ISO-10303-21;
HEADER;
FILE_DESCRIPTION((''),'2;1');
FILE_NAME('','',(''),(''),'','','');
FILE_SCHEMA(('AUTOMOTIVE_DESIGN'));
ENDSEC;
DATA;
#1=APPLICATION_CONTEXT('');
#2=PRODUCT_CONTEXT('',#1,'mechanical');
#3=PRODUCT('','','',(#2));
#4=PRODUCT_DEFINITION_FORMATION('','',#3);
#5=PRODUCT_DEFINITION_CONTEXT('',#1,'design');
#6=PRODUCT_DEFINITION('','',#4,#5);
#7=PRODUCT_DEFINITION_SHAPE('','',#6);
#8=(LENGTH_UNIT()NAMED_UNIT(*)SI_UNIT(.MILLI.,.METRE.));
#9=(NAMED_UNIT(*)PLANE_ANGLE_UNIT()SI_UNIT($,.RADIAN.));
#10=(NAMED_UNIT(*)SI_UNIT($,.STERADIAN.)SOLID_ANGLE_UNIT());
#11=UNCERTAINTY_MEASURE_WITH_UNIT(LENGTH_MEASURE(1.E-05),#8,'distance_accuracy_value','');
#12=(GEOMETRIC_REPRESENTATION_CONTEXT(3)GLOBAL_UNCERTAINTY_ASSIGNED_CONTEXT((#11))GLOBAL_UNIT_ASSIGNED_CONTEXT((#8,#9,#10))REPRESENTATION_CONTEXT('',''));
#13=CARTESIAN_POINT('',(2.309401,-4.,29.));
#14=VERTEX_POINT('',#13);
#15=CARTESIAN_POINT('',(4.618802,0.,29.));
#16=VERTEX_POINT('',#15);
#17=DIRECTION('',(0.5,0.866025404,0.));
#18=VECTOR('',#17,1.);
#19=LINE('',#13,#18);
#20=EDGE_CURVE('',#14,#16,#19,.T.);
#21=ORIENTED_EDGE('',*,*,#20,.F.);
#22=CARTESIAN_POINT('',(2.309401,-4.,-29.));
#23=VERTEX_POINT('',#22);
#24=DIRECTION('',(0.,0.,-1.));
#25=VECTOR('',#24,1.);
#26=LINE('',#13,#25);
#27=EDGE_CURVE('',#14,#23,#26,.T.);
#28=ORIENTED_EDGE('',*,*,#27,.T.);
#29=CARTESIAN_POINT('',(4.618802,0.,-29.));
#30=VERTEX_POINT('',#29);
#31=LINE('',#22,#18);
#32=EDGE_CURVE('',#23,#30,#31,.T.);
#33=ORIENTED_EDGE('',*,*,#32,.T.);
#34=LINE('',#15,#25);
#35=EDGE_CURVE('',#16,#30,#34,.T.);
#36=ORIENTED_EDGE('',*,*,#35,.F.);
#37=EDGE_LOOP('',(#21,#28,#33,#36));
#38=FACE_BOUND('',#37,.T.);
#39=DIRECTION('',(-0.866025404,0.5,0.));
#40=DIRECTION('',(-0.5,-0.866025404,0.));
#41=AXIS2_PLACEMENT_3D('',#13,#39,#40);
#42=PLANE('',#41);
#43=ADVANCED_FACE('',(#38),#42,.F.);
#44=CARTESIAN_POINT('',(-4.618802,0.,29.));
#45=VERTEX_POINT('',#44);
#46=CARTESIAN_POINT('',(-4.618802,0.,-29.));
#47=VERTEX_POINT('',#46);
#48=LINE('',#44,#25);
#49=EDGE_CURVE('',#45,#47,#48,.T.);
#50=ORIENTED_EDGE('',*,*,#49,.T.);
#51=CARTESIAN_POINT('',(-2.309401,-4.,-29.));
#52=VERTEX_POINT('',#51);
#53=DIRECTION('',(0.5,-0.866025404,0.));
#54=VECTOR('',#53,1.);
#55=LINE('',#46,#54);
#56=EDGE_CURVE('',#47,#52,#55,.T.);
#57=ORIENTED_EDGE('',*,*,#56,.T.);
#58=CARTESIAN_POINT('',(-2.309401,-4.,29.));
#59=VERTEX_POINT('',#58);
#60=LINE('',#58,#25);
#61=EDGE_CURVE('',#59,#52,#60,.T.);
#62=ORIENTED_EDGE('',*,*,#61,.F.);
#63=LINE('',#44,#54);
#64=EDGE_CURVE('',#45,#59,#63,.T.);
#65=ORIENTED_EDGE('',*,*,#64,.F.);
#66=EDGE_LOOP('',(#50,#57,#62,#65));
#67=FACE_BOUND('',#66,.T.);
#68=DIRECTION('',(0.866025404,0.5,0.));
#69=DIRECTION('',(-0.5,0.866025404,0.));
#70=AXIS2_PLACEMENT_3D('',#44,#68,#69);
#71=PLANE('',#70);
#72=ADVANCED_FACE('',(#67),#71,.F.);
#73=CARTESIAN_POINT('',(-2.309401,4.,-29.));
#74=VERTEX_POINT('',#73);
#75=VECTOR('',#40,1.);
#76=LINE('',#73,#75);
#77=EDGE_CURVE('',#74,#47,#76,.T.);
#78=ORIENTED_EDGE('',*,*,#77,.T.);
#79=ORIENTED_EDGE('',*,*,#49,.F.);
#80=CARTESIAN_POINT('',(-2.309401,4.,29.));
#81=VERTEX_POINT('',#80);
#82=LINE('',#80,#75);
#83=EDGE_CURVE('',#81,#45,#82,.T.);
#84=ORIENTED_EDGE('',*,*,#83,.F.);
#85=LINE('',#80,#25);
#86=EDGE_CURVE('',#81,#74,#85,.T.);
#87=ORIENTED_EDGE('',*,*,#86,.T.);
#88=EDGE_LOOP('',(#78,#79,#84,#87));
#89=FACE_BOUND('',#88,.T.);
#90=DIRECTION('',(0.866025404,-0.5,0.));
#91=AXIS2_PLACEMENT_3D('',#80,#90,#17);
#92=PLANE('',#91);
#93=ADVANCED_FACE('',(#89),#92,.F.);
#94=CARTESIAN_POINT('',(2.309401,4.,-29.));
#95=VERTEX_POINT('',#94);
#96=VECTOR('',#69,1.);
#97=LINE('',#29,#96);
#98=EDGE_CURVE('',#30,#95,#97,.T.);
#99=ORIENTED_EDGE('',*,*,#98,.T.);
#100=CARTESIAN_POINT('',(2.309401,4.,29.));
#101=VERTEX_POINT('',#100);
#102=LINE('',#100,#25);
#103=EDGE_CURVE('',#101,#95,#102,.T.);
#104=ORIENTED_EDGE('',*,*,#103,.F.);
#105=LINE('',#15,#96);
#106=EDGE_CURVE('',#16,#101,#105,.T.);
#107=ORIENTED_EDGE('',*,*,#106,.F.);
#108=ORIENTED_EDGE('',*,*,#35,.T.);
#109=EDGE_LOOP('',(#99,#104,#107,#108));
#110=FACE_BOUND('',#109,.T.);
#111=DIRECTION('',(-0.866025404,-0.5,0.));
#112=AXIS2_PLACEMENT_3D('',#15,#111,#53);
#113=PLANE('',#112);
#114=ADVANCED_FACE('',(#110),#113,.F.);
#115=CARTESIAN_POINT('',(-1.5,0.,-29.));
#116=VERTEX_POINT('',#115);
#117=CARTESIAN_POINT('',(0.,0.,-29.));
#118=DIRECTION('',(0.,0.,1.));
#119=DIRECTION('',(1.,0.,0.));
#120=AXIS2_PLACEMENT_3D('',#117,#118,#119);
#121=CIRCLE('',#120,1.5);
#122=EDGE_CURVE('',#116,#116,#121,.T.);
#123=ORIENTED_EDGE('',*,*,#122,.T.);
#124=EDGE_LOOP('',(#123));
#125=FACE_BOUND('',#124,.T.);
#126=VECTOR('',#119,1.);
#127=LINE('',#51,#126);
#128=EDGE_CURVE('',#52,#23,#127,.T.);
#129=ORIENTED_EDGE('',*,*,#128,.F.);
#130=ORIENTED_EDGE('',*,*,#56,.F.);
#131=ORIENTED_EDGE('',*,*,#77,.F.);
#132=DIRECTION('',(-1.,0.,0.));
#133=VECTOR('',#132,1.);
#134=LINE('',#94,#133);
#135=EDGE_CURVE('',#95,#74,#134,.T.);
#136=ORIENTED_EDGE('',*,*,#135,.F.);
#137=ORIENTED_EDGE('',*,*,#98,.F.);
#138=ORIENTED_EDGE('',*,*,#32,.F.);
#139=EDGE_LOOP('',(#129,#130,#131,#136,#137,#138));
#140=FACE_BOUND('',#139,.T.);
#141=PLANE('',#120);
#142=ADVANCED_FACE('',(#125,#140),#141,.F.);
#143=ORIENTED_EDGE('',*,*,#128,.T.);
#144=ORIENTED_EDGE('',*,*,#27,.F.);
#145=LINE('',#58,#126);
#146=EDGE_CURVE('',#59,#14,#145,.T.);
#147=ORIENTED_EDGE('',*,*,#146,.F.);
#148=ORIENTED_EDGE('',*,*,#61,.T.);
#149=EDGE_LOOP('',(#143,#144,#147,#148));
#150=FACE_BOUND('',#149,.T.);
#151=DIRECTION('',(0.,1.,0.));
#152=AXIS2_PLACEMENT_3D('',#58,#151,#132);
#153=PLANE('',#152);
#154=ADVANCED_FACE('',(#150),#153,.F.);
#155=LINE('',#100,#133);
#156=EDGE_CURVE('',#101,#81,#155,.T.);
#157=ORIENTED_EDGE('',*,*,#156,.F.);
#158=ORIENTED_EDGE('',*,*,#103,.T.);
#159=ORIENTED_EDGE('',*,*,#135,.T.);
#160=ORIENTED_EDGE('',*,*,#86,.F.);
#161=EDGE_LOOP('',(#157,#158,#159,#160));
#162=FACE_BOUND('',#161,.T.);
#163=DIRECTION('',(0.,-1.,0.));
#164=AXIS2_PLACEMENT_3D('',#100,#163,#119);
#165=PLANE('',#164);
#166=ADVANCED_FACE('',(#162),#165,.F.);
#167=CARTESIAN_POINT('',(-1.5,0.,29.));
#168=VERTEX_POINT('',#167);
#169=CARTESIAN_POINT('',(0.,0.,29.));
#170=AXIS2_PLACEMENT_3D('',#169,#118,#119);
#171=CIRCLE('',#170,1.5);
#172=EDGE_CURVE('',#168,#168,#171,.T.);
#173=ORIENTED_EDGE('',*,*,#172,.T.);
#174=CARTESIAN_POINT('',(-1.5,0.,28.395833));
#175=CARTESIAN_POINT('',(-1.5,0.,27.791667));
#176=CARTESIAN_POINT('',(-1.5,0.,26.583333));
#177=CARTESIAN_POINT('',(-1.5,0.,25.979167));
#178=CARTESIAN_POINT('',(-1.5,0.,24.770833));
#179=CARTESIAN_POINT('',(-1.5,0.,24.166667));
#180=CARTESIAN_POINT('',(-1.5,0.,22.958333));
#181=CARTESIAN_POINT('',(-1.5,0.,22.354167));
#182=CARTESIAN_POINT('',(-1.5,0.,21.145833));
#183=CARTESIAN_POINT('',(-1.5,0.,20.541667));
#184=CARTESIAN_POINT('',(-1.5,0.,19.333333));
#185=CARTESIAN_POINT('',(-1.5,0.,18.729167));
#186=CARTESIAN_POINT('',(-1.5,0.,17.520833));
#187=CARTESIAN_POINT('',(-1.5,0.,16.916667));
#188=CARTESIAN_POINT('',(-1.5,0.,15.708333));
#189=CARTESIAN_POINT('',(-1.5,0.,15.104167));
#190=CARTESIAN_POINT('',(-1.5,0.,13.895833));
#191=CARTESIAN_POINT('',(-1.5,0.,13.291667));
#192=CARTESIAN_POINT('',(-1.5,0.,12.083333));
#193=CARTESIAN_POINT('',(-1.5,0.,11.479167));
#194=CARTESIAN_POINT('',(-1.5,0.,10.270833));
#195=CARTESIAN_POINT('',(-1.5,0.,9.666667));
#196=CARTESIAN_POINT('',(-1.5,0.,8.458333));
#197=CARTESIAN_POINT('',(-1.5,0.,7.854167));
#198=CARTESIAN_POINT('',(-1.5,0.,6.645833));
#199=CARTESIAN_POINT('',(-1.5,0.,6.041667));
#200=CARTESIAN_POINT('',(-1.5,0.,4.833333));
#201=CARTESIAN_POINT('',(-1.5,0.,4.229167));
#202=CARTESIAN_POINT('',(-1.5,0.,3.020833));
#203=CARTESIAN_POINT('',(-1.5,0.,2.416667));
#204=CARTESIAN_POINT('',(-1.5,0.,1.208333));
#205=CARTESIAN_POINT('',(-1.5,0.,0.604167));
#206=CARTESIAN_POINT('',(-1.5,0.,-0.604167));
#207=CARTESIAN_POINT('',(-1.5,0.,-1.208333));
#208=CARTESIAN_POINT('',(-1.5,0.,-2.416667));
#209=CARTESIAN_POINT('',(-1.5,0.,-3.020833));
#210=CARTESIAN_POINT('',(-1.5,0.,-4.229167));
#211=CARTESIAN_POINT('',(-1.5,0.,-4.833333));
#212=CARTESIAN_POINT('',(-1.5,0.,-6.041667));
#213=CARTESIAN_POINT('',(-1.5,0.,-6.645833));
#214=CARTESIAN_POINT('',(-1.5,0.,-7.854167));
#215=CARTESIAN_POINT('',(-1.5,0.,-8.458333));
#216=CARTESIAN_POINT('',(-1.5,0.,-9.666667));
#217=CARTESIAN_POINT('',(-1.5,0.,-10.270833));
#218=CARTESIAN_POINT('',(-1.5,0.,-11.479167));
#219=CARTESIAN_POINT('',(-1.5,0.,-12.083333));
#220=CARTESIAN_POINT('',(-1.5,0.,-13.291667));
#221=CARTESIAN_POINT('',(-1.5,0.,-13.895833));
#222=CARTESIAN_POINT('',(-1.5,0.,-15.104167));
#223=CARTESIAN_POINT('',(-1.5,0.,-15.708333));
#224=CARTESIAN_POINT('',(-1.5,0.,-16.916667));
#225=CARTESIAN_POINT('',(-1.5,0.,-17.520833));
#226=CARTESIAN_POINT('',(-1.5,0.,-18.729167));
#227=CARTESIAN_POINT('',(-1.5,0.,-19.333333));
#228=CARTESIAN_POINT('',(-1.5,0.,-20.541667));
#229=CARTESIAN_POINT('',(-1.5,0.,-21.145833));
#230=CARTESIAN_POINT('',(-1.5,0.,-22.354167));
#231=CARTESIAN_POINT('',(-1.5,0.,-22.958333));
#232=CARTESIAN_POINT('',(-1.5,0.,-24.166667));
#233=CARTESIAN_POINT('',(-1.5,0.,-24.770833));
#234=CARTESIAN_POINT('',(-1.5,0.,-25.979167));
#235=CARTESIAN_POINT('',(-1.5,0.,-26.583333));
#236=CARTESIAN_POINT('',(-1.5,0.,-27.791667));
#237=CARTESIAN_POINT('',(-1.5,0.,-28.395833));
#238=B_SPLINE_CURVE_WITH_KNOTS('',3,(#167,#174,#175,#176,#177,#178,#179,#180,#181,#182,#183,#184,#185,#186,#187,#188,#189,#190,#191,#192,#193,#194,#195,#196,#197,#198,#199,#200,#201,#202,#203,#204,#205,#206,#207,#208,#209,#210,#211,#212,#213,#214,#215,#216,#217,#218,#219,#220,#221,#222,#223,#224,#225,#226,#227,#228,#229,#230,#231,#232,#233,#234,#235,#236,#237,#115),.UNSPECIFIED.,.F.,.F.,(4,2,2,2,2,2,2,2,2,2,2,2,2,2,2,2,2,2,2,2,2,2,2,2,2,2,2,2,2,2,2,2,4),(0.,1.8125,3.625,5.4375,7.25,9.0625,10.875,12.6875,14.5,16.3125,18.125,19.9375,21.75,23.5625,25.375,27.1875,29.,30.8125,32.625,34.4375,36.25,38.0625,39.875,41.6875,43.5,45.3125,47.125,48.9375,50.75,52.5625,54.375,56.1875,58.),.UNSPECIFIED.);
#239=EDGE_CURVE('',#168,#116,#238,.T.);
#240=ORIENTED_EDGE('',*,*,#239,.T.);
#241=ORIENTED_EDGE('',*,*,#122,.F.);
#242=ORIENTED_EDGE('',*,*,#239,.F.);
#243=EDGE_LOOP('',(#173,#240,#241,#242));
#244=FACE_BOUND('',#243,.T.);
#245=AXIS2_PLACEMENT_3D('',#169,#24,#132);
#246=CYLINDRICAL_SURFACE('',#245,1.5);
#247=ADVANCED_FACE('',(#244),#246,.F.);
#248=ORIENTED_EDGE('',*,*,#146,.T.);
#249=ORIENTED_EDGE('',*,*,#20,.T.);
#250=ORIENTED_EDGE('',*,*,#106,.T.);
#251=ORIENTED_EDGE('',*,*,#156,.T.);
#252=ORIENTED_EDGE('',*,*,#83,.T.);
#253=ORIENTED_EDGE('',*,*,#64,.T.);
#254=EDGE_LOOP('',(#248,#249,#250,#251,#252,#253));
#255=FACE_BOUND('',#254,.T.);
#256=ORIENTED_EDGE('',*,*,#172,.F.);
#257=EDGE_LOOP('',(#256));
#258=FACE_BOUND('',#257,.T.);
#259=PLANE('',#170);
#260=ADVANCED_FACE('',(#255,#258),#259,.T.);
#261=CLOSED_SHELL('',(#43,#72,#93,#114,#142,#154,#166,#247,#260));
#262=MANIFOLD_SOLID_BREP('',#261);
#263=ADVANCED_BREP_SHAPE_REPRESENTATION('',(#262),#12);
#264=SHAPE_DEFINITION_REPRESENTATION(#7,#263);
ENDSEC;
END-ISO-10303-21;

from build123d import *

# Parameters (mm, degrees)
CROQUIS1_R              = 1.5
SALIENTE_EXTRUIR1_DEPTH = 29


with BuildPart() as part:
    # Croquis1 → Saliente-Extruir1 (new, symmetric)
    with BuildSketch(Plane.XY):
        Polygon((4.618802154, 0), (2.309401077, 4), (-2.309401077, 4), (-4.618802154, 0), (-2.309401077, -4), (2.309401077, -4), align=None)
        with Locations(Location((0, 0, 0), (0, 0, 180))):
            Circle(CROQUIS1_R, mode=Mode.SUBTRACT)
    extrude(amount=SALIENTE_EXTRUIR1_DEPTH, both=True)


solid = part.part
